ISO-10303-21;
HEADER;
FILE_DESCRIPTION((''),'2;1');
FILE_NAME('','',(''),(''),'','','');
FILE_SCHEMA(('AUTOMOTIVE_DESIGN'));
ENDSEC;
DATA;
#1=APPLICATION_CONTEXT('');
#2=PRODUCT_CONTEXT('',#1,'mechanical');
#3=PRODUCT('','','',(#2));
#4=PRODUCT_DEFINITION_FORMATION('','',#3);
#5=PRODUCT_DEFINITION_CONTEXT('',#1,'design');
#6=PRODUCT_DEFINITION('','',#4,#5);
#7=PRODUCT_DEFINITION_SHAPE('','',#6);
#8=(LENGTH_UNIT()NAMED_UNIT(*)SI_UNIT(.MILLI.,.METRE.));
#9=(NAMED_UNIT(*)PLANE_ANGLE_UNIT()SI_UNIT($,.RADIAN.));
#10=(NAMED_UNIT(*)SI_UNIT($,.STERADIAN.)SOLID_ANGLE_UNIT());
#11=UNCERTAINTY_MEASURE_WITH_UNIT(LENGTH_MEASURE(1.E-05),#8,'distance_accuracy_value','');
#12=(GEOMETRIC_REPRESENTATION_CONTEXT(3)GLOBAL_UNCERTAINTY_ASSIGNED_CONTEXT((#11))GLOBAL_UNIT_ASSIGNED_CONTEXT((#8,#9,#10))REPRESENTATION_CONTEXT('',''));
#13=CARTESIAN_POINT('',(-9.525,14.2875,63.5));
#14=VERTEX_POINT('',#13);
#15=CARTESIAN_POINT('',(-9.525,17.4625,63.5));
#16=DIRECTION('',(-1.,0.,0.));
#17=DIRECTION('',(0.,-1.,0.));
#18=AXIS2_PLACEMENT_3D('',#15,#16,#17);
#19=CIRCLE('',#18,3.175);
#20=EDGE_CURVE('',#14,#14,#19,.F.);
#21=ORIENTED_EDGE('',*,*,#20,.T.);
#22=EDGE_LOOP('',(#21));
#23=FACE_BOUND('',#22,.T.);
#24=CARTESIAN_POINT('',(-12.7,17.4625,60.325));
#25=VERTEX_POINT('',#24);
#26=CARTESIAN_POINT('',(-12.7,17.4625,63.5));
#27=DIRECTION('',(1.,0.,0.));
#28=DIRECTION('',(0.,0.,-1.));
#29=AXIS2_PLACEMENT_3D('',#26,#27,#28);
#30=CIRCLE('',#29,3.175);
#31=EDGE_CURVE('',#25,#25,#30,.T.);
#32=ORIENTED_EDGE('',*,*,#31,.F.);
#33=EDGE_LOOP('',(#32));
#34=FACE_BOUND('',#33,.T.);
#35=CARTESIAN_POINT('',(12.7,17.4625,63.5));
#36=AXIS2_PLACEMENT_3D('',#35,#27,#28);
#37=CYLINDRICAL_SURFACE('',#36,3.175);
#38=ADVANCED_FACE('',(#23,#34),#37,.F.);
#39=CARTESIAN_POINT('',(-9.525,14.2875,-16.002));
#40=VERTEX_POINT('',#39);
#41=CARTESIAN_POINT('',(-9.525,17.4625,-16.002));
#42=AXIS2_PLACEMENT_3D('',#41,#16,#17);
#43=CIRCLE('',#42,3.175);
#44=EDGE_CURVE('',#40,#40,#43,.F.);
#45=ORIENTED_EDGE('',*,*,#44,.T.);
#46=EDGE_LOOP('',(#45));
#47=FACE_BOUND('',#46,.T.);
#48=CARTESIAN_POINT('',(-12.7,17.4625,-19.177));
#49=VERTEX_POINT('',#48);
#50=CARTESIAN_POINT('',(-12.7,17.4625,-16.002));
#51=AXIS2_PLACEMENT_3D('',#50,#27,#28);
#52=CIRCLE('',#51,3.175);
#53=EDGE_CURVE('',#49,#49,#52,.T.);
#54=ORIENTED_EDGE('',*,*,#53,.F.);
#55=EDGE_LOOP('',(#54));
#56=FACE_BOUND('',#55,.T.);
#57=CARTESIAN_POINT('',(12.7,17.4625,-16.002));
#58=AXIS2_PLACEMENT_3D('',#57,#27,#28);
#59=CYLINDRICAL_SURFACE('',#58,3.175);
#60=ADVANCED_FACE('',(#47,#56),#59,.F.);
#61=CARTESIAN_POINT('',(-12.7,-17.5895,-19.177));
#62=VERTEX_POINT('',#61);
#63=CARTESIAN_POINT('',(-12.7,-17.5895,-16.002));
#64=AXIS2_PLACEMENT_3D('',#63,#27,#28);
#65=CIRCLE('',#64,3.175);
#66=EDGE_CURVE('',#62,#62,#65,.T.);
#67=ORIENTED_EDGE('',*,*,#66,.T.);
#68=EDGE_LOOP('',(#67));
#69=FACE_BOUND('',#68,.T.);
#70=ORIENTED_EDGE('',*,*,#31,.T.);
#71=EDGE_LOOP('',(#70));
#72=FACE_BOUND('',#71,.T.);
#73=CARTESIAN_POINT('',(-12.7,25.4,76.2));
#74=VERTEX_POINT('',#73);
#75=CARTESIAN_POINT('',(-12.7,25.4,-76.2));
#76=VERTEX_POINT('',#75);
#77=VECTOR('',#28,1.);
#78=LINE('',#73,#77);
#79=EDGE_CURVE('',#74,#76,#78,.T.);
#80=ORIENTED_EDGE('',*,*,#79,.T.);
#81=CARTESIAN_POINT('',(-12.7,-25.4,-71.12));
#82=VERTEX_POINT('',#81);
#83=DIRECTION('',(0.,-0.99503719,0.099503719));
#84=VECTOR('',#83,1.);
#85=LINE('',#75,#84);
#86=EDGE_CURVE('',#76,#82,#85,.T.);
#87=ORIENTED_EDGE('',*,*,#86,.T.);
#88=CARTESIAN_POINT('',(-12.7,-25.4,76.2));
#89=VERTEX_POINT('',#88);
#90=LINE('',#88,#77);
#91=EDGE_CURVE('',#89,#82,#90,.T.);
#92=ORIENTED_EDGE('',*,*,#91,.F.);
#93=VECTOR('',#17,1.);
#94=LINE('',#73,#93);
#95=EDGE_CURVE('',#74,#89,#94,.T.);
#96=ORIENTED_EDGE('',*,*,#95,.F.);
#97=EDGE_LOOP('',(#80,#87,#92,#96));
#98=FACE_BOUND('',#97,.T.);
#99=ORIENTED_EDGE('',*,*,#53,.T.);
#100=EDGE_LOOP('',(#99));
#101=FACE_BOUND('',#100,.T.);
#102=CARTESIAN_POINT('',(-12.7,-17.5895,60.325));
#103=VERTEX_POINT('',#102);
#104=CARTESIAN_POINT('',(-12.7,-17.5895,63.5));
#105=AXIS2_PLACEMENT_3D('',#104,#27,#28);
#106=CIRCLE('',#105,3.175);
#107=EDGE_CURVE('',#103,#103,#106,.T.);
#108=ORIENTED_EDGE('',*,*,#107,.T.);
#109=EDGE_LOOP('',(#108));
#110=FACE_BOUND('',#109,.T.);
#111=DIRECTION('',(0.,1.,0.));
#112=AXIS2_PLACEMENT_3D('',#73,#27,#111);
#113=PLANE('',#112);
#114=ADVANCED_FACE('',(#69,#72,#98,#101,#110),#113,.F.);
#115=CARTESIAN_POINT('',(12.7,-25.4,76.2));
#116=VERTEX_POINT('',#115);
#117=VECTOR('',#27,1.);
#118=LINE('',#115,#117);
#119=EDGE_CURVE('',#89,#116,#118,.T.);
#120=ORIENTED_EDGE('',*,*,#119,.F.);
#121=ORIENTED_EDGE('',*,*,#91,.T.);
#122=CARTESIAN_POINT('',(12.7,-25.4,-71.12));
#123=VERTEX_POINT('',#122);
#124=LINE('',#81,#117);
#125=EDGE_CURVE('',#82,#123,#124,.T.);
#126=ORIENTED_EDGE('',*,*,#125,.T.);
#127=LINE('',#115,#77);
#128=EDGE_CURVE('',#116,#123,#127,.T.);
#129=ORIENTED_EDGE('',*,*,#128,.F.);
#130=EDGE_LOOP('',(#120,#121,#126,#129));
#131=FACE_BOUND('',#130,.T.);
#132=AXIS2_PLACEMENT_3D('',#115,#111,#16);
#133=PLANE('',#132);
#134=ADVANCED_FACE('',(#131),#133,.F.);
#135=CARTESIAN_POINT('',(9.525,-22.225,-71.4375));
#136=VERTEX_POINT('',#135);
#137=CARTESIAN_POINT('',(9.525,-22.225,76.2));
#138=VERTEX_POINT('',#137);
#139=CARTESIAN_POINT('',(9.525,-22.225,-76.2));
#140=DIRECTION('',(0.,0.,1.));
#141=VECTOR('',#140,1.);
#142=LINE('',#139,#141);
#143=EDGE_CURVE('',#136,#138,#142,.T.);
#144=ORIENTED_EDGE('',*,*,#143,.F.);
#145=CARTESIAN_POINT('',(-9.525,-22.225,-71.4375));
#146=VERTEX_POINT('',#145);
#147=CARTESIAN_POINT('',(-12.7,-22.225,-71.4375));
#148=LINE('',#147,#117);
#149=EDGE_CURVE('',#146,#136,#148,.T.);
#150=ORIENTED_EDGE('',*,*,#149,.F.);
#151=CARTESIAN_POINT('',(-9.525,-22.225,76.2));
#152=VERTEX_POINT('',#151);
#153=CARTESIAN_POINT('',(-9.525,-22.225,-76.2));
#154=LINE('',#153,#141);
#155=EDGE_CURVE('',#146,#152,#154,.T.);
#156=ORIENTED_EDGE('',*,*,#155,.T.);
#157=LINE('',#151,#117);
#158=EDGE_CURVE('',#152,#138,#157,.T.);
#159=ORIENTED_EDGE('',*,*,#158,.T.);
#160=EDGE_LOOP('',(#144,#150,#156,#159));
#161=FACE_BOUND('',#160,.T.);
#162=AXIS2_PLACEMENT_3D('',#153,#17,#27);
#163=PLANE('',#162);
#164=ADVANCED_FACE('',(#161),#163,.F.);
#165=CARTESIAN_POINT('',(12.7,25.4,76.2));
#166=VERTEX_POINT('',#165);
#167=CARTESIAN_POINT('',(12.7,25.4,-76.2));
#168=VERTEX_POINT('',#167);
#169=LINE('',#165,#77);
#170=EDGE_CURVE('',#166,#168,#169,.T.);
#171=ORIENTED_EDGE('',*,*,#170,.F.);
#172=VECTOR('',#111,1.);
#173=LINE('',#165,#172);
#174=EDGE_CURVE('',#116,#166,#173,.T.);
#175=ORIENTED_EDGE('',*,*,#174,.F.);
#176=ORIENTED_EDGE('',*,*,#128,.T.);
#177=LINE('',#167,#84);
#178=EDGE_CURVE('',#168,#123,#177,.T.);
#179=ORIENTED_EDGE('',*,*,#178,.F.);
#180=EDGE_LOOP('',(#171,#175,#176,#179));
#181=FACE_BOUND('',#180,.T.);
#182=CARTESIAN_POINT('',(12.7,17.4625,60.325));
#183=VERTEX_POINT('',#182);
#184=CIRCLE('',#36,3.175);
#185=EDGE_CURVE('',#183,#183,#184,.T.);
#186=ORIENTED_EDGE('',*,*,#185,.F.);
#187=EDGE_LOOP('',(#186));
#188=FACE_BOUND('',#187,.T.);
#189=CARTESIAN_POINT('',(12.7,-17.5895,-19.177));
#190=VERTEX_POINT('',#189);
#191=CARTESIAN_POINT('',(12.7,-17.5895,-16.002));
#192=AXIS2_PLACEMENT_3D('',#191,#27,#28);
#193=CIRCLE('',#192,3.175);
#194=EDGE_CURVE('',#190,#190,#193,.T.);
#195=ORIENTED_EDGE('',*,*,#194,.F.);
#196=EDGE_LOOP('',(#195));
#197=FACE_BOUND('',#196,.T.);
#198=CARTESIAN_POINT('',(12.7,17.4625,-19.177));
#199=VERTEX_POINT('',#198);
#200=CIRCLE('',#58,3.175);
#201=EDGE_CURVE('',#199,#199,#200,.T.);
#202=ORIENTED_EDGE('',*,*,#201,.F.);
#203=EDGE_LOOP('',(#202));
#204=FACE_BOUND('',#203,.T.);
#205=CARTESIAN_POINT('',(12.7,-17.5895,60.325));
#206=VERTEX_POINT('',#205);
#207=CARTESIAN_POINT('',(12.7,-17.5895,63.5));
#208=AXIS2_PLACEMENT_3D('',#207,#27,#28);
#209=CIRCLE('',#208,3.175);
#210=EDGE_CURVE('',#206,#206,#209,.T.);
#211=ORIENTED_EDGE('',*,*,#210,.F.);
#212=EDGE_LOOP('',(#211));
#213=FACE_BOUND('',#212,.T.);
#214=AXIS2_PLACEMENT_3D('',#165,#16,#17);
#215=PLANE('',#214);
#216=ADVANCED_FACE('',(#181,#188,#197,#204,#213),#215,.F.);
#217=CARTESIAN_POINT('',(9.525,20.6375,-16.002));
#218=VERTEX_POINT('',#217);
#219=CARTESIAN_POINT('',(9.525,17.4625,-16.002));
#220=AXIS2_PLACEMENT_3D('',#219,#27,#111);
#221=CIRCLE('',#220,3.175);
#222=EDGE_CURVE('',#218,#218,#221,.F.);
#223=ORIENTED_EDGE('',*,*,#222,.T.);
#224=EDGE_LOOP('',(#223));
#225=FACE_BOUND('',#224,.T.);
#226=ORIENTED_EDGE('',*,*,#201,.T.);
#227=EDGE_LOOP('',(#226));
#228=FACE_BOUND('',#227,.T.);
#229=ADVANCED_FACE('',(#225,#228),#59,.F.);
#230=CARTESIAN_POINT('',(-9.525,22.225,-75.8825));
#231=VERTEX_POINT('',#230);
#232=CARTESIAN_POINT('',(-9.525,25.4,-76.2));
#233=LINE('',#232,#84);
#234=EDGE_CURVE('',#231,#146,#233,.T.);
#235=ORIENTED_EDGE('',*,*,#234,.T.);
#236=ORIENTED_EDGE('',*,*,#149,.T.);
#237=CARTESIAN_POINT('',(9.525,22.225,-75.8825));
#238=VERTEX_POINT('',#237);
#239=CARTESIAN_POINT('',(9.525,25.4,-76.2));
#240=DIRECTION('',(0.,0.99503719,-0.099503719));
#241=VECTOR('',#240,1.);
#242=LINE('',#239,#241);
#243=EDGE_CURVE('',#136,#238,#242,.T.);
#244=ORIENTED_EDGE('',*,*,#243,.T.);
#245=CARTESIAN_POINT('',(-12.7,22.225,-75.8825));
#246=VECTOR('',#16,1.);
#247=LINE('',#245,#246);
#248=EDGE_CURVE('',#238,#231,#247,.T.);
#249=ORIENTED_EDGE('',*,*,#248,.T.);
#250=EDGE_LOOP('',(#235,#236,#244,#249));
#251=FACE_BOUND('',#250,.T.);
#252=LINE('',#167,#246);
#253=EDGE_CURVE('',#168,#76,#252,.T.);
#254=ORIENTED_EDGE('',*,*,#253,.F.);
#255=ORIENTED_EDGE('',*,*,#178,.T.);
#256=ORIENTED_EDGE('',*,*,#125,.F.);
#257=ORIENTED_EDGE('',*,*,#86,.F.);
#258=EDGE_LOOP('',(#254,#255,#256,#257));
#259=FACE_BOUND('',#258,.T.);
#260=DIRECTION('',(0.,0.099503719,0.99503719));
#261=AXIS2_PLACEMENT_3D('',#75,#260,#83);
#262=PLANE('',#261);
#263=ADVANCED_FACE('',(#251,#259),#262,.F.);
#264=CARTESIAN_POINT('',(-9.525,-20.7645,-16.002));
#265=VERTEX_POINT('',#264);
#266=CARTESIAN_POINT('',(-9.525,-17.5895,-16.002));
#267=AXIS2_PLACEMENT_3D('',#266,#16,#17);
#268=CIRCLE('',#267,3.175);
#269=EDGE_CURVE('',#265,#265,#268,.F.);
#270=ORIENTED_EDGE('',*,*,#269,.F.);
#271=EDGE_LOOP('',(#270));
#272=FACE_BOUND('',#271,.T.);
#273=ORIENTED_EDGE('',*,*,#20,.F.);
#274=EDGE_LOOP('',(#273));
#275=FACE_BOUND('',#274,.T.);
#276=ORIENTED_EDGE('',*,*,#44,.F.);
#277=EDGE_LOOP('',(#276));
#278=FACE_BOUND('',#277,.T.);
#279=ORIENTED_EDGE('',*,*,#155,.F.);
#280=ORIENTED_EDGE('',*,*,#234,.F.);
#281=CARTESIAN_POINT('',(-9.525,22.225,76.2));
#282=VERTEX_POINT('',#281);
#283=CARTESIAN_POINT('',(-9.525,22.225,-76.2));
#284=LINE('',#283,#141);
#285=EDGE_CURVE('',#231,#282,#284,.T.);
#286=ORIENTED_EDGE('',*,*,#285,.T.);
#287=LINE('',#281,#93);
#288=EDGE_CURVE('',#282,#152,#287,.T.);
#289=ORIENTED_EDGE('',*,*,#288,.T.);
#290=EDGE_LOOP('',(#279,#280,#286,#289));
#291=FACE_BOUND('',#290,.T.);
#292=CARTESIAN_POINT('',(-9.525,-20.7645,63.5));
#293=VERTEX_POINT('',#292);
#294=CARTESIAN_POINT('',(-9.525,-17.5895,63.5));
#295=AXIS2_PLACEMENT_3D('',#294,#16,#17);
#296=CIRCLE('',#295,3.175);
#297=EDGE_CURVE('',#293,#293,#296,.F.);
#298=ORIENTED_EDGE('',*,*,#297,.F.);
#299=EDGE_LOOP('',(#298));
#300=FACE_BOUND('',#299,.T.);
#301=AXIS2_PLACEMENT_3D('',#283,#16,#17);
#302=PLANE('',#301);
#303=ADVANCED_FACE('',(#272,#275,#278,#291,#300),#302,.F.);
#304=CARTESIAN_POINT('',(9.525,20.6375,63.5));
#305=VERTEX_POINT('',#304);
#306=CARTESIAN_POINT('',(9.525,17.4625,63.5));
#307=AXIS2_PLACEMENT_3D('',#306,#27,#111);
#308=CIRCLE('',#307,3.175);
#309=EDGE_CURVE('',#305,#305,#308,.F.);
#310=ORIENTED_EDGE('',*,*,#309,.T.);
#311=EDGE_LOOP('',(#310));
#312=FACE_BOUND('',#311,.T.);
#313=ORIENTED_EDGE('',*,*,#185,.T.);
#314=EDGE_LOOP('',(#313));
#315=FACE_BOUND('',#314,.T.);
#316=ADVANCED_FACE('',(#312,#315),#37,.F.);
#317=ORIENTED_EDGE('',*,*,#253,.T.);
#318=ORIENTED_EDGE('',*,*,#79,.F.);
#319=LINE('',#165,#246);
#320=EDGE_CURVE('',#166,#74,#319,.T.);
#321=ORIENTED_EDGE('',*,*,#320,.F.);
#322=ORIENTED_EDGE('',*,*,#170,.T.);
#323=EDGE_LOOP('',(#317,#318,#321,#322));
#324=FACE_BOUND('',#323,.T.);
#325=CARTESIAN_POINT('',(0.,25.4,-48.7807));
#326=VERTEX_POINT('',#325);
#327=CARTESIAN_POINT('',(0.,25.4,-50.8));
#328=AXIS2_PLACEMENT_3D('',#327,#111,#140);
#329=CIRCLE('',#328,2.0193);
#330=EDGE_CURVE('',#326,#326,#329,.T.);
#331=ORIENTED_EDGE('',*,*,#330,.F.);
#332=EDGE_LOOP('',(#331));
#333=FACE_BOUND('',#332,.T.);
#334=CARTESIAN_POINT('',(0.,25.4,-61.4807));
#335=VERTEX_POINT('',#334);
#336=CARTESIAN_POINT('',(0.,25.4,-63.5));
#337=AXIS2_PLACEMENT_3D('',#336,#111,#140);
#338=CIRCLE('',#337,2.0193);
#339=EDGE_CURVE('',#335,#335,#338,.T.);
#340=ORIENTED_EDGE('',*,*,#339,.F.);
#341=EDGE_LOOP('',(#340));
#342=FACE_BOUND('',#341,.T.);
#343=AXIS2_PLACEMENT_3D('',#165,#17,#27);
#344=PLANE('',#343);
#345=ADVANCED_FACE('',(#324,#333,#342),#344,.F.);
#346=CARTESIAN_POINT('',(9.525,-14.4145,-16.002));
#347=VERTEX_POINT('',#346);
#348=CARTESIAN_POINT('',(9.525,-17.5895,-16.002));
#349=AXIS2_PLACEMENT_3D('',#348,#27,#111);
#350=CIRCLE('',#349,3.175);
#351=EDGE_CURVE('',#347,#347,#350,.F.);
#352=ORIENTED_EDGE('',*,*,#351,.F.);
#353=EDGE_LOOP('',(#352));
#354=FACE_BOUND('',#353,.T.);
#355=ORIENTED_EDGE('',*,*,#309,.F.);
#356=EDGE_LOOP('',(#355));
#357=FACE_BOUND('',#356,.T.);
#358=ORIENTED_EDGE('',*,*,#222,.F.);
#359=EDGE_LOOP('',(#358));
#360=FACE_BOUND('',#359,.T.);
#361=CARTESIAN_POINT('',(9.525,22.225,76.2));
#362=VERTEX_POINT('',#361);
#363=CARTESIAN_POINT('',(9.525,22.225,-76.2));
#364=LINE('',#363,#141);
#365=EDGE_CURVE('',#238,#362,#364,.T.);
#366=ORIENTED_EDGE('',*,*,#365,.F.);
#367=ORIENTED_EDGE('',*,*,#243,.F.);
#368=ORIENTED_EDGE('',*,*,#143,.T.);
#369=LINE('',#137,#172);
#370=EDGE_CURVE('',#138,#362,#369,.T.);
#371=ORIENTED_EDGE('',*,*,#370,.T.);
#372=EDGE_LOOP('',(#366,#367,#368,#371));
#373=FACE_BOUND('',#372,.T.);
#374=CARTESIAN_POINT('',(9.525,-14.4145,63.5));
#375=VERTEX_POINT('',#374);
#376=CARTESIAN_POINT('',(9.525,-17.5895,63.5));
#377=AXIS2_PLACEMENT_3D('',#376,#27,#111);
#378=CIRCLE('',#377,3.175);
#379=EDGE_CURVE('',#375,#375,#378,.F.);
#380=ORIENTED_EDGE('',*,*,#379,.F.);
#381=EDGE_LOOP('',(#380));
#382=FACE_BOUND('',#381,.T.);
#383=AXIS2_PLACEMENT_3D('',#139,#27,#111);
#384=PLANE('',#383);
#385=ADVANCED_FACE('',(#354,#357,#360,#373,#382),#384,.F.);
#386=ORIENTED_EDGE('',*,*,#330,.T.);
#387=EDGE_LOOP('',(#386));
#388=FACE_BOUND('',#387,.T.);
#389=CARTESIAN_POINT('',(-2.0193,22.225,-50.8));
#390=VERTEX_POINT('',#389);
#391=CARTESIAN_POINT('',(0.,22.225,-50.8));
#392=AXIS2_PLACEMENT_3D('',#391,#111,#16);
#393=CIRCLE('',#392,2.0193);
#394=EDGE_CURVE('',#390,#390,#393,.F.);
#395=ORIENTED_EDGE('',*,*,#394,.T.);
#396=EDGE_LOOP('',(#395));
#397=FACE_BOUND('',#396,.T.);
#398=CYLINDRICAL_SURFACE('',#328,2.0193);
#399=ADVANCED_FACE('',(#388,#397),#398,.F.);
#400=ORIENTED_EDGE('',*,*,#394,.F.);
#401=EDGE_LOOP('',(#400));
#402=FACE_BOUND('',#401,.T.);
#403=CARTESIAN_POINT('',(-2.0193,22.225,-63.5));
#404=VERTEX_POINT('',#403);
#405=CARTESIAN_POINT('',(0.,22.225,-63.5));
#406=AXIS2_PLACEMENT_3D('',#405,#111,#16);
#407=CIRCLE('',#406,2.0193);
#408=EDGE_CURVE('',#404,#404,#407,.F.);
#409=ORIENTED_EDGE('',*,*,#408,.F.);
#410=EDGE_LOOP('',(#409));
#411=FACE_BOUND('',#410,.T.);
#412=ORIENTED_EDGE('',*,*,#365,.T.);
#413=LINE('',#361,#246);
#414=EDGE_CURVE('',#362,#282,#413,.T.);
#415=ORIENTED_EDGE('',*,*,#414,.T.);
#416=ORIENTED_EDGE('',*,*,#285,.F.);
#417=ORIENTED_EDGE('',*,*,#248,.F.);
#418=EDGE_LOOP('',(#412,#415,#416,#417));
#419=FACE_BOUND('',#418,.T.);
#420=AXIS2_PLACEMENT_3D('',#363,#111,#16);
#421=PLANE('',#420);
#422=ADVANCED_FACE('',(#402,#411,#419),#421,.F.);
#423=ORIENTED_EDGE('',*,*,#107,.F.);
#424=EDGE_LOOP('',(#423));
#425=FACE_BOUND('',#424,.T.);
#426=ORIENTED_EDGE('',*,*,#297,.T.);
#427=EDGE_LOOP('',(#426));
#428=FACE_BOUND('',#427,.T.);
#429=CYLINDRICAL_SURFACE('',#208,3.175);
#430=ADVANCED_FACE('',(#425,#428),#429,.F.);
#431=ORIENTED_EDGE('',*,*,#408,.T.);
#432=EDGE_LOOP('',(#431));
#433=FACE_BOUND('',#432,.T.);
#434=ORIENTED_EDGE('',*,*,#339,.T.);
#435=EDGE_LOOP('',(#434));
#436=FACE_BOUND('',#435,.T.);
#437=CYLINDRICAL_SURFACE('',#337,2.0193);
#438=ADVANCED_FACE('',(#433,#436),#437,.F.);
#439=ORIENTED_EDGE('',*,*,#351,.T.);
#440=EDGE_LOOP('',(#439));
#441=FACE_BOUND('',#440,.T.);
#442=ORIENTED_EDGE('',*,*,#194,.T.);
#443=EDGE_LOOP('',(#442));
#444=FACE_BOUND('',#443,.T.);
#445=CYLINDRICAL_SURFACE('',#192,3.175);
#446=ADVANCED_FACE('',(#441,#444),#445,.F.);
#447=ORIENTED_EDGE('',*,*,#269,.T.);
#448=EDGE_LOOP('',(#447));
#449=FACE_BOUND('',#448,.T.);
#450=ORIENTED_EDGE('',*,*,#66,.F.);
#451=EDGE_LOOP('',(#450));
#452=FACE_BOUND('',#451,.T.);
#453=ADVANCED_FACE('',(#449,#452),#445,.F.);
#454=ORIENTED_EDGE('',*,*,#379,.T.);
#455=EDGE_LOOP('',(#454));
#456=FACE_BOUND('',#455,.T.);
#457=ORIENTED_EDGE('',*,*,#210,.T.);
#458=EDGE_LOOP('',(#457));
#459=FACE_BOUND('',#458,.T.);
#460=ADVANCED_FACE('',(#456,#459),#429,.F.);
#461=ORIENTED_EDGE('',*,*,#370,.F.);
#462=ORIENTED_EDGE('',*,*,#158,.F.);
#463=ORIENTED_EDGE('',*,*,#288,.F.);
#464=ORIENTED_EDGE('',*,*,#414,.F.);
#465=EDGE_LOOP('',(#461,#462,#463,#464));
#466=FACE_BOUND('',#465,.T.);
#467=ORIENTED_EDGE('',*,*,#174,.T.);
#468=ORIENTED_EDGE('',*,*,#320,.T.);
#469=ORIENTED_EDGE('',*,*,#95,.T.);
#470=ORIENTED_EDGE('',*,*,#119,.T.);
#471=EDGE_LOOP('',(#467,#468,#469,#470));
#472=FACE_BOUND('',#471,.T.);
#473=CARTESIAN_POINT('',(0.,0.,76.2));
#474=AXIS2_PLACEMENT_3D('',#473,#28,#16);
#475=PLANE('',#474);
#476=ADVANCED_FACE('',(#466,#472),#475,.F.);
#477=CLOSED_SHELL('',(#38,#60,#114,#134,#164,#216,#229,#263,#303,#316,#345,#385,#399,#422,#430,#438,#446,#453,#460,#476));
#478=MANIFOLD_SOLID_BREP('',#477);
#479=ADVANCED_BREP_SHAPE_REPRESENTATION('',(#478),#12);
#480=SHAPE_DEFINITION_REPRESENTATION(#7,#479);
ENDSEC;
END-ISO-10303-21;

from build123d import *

# Parameters (mm, degrees)
SKETCH1_W                   = 25.4
SKETCH1_H                   = 50.8
BOSS_EXTRUDE1_DEPTH         = 76.2
F_1_4_0_25_DIAMETER_HOLE1_D = 6.35
F_10_32_TAPPED_HOLE1_D      = 4.0386
F_10_32_TAPPED_HOLE1_DEPTH  = 13.716
F_10_32_TAPPED_HOLE1_TIP    = 1.213317848
CUT_EXTRUDE1_DEPTH          = 85.242269675
SKETCH9_W                   = 19.05
SKETCH9_H                   = 44.45
CUT_EXTRUDE2_DEPTH          = 156.02325632


with BuildPart() as part:
    # Sketch1 → Boss-Extrude1 (new, symmetric)
    with BuildSketch(Plane.XY):
        Rectangle(SKETCH1_W, SKETCH1_H)
    extrude(amount=BOSS_EXTRUDE1_DEPTH, both=True)

    # 1/4 (0.25) Diameter Hole1 (through all)
    with Locations(Plane(origin=(12.7, 0, 0), x_dir=(0, 0, -1), z_dir=(1, 0, 0))):
        with Locations((-63.5, 17.4625), (16.002, 17.4625), (16.002, -17.5895), (-63.5, -17.5895)):
            Hole(F_1_4_0_25_DIAMETER_HOLE1_D / 2)

    # #10-32 Tapped Hole1
    with Locations(Plane(origin=(0, 25.4, 0), x_dir=(1, 0, 0), z_dir=(0, 1, 0))):
        with Locations((0, 63.5), (0, 50.8)):
            Hole(F_10_32_TAPPED_HOLE1_D / 2, depth=F_10_32_TAPPED_HOLE1_DEPTH)
            with Locations((0, 0, -(F_10_32_TAPPED_HOLE1_DEPTH + F_10_32_TAPPED_HOLE1_TIP / 2))):  # 118° drill point
                Cone(0, F_10_32_TAPPED_HOLE1_D / 2, F_10_32_TAPPED_HOLE1_TIP, mode=Mode.SUBTRACT)

    # Sketch8 → Cut-Extrude1 (cut, through all)
    with BuildSketch(Plane(origin=(12.7, 0, 0), x_dir=(0, 0, -1), z_dir=(1, 0, 0))):
        Polygon((76.2, 25.4), (71.12, -25.4), (76.2, -25.4), align=None)
    extrude(amount=-CUT_EXTRUDE1_DEPTH, mode=Mode.SUBTRACT)

    # Sketch9 → Cut-Extrude2 (cut, through all)
    with BuildSketch(Plane.XY.offset(76.2)):
        Rectangle(SKETCH9_W, SKETCH9_H)
    extrude(amount=-CUT_EXTRUDE2_DEPTH, mode=Mode.SUBTRACT)


solid = part.part
